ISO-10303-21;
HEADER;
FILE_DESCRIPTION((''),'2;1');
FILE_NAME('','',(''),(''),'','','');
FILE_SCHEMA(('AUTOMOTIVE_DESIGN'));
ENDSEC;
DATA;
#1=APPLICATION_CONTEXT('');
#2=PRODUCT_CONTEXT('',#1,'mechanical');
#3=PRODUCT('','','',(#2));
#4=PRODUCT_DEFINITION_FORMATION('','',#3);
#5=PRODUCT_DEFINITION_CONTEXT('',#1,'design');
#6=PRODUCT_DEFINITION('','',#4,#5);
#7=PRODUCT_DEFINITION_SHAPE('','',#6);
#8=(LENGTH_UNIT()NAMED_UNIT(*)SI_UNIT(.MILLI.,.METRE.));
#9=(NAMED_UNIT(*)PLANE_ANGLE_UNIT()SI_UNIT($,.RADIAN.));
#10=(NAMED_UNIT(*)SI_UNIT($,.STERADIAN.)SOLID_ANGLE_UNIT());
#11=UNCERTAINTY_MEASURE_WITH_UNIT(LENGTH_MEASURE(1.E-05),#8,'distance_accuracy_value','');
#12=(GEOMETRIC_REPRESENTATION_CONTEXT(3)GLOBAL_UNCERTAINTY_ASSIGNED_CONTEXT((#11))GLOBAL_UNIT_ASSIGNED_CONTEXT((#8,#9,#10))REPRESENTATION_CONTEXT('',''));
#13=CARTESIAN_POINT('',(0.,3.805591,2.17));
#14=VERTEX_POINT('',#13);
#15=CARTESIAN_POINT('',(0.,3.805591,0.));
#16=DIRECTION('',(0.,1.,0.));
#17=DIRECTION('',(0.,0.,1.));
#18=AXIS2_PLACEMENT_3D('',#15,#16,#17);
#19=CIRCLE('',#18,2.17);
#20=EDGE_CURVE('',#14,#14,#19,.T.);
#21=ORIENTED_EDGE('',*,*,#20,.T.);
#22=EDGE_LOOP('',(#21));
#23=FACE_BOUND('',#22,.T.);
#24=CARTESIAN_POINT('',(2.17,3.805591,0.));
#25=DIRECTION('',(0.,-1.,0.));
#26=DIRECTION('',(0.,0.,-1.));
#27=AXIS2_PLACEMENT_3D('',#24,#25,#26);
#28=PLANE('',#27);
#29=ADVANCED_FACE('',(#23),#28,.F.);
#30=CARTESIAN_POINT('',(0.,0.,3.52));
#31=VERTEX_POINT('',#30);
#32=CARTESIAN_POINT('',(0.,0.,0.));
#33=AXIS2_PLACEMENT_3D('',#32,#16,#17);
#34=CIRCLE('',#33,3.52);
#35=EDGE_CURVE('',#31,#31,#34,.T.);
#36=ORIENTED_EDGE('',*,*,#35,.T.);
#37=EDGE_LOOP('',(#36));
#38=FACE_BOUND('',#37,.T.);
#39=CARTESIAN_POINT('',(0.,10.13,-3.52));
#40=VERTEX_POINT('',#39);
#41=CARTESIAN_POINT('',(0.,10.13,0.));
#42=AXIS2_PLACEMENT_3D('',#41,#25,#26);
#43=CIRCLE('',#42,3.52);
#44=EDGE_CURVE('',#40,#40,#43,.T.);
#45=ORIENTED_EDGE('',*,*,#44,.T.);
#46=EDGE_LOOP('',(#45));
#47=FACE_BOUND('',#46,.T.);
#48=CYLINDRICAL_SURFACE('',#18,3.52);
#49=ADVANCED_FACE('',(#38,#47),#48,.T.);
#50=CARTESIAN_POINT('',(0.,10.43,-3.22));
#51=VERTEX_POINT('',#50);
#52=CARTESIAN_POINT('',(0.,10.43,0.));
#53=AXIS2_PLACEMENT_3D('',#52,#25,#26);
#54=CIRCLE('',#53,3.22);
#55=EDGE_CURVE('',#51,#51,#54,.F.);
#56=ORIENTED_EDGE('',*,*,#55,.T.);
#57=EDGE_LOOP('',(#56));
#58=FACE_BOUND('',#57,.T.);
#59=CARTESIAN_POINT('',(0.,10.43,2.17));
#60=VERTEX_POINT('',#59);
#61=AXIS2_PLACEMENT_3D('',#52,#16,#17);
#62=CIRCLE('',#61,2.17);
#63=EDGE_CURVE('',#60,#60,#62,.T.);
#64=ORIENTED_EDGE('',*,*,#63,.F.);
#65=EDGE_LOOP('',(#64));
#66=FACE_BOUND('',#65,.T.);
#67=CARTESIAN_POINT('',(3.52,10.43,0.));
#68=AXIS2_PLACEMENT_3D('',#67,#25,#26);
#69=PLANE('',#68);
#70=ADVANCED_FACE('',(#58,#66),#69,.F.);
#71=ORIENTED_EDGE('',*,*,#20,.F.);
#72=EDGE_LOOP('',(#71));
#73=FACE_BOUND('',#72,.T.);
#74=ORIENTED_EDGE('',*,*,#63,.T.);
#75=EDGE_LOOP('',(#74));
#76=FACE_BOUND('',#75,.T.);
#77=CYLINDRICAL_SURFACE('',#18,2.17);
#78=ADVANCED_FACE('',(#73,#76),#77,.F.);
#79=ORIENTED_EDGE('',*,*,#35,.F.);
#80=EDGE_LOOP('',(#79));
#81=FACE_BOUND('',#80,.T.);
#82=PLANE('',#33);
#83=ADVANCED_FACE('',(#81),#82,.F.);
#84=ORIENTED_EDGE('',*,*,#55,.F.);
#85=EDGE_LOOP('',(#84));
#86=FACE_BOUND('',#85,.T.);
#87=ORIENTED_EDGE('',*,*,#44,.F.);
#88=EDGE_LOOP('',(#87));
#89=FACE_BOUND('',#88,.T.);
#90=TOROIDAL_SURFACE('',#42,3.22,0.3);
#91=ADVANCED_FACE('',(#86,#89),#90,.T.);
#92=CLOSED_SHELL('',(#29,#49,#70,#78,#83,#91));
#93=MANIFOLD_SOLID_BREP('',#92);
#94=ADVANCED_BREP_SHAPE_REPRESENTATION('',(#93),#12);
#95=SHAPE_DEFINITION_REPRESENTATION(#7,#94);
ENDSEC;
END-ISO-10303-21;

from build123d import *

# Parameters (mm, degrees)
FILLET1_R = 0.3


with BuildPart() as part:
    # Sketch2 → Revolve1 (revolve)
    with BuildSketch(Plane.XY, mode=Mode.PRIVATE) as revolve1_sk:
        Polygon((0, 0), (3.52, 0), (3.52, 10.43), (2.17, 10.43), (2.17, 3.805590511), (0, 3.805590511), align=None)
    revolve(revolve1_sk.sketch.rotate(Axis((0, 3.805590511, 0), (0, -1, 0)), 90), axis=Axis((0, 3.805590511, 0), (0, -1, 0)))

    # Fillet1
    fillet1_edges = [part.edges().sort_by_distance(p)[0] for p in [
        (0, 10.43, -3.52),
    ]]
    fillet(fillet1_edges, radius=FILLET1_R)


solid = part.part
